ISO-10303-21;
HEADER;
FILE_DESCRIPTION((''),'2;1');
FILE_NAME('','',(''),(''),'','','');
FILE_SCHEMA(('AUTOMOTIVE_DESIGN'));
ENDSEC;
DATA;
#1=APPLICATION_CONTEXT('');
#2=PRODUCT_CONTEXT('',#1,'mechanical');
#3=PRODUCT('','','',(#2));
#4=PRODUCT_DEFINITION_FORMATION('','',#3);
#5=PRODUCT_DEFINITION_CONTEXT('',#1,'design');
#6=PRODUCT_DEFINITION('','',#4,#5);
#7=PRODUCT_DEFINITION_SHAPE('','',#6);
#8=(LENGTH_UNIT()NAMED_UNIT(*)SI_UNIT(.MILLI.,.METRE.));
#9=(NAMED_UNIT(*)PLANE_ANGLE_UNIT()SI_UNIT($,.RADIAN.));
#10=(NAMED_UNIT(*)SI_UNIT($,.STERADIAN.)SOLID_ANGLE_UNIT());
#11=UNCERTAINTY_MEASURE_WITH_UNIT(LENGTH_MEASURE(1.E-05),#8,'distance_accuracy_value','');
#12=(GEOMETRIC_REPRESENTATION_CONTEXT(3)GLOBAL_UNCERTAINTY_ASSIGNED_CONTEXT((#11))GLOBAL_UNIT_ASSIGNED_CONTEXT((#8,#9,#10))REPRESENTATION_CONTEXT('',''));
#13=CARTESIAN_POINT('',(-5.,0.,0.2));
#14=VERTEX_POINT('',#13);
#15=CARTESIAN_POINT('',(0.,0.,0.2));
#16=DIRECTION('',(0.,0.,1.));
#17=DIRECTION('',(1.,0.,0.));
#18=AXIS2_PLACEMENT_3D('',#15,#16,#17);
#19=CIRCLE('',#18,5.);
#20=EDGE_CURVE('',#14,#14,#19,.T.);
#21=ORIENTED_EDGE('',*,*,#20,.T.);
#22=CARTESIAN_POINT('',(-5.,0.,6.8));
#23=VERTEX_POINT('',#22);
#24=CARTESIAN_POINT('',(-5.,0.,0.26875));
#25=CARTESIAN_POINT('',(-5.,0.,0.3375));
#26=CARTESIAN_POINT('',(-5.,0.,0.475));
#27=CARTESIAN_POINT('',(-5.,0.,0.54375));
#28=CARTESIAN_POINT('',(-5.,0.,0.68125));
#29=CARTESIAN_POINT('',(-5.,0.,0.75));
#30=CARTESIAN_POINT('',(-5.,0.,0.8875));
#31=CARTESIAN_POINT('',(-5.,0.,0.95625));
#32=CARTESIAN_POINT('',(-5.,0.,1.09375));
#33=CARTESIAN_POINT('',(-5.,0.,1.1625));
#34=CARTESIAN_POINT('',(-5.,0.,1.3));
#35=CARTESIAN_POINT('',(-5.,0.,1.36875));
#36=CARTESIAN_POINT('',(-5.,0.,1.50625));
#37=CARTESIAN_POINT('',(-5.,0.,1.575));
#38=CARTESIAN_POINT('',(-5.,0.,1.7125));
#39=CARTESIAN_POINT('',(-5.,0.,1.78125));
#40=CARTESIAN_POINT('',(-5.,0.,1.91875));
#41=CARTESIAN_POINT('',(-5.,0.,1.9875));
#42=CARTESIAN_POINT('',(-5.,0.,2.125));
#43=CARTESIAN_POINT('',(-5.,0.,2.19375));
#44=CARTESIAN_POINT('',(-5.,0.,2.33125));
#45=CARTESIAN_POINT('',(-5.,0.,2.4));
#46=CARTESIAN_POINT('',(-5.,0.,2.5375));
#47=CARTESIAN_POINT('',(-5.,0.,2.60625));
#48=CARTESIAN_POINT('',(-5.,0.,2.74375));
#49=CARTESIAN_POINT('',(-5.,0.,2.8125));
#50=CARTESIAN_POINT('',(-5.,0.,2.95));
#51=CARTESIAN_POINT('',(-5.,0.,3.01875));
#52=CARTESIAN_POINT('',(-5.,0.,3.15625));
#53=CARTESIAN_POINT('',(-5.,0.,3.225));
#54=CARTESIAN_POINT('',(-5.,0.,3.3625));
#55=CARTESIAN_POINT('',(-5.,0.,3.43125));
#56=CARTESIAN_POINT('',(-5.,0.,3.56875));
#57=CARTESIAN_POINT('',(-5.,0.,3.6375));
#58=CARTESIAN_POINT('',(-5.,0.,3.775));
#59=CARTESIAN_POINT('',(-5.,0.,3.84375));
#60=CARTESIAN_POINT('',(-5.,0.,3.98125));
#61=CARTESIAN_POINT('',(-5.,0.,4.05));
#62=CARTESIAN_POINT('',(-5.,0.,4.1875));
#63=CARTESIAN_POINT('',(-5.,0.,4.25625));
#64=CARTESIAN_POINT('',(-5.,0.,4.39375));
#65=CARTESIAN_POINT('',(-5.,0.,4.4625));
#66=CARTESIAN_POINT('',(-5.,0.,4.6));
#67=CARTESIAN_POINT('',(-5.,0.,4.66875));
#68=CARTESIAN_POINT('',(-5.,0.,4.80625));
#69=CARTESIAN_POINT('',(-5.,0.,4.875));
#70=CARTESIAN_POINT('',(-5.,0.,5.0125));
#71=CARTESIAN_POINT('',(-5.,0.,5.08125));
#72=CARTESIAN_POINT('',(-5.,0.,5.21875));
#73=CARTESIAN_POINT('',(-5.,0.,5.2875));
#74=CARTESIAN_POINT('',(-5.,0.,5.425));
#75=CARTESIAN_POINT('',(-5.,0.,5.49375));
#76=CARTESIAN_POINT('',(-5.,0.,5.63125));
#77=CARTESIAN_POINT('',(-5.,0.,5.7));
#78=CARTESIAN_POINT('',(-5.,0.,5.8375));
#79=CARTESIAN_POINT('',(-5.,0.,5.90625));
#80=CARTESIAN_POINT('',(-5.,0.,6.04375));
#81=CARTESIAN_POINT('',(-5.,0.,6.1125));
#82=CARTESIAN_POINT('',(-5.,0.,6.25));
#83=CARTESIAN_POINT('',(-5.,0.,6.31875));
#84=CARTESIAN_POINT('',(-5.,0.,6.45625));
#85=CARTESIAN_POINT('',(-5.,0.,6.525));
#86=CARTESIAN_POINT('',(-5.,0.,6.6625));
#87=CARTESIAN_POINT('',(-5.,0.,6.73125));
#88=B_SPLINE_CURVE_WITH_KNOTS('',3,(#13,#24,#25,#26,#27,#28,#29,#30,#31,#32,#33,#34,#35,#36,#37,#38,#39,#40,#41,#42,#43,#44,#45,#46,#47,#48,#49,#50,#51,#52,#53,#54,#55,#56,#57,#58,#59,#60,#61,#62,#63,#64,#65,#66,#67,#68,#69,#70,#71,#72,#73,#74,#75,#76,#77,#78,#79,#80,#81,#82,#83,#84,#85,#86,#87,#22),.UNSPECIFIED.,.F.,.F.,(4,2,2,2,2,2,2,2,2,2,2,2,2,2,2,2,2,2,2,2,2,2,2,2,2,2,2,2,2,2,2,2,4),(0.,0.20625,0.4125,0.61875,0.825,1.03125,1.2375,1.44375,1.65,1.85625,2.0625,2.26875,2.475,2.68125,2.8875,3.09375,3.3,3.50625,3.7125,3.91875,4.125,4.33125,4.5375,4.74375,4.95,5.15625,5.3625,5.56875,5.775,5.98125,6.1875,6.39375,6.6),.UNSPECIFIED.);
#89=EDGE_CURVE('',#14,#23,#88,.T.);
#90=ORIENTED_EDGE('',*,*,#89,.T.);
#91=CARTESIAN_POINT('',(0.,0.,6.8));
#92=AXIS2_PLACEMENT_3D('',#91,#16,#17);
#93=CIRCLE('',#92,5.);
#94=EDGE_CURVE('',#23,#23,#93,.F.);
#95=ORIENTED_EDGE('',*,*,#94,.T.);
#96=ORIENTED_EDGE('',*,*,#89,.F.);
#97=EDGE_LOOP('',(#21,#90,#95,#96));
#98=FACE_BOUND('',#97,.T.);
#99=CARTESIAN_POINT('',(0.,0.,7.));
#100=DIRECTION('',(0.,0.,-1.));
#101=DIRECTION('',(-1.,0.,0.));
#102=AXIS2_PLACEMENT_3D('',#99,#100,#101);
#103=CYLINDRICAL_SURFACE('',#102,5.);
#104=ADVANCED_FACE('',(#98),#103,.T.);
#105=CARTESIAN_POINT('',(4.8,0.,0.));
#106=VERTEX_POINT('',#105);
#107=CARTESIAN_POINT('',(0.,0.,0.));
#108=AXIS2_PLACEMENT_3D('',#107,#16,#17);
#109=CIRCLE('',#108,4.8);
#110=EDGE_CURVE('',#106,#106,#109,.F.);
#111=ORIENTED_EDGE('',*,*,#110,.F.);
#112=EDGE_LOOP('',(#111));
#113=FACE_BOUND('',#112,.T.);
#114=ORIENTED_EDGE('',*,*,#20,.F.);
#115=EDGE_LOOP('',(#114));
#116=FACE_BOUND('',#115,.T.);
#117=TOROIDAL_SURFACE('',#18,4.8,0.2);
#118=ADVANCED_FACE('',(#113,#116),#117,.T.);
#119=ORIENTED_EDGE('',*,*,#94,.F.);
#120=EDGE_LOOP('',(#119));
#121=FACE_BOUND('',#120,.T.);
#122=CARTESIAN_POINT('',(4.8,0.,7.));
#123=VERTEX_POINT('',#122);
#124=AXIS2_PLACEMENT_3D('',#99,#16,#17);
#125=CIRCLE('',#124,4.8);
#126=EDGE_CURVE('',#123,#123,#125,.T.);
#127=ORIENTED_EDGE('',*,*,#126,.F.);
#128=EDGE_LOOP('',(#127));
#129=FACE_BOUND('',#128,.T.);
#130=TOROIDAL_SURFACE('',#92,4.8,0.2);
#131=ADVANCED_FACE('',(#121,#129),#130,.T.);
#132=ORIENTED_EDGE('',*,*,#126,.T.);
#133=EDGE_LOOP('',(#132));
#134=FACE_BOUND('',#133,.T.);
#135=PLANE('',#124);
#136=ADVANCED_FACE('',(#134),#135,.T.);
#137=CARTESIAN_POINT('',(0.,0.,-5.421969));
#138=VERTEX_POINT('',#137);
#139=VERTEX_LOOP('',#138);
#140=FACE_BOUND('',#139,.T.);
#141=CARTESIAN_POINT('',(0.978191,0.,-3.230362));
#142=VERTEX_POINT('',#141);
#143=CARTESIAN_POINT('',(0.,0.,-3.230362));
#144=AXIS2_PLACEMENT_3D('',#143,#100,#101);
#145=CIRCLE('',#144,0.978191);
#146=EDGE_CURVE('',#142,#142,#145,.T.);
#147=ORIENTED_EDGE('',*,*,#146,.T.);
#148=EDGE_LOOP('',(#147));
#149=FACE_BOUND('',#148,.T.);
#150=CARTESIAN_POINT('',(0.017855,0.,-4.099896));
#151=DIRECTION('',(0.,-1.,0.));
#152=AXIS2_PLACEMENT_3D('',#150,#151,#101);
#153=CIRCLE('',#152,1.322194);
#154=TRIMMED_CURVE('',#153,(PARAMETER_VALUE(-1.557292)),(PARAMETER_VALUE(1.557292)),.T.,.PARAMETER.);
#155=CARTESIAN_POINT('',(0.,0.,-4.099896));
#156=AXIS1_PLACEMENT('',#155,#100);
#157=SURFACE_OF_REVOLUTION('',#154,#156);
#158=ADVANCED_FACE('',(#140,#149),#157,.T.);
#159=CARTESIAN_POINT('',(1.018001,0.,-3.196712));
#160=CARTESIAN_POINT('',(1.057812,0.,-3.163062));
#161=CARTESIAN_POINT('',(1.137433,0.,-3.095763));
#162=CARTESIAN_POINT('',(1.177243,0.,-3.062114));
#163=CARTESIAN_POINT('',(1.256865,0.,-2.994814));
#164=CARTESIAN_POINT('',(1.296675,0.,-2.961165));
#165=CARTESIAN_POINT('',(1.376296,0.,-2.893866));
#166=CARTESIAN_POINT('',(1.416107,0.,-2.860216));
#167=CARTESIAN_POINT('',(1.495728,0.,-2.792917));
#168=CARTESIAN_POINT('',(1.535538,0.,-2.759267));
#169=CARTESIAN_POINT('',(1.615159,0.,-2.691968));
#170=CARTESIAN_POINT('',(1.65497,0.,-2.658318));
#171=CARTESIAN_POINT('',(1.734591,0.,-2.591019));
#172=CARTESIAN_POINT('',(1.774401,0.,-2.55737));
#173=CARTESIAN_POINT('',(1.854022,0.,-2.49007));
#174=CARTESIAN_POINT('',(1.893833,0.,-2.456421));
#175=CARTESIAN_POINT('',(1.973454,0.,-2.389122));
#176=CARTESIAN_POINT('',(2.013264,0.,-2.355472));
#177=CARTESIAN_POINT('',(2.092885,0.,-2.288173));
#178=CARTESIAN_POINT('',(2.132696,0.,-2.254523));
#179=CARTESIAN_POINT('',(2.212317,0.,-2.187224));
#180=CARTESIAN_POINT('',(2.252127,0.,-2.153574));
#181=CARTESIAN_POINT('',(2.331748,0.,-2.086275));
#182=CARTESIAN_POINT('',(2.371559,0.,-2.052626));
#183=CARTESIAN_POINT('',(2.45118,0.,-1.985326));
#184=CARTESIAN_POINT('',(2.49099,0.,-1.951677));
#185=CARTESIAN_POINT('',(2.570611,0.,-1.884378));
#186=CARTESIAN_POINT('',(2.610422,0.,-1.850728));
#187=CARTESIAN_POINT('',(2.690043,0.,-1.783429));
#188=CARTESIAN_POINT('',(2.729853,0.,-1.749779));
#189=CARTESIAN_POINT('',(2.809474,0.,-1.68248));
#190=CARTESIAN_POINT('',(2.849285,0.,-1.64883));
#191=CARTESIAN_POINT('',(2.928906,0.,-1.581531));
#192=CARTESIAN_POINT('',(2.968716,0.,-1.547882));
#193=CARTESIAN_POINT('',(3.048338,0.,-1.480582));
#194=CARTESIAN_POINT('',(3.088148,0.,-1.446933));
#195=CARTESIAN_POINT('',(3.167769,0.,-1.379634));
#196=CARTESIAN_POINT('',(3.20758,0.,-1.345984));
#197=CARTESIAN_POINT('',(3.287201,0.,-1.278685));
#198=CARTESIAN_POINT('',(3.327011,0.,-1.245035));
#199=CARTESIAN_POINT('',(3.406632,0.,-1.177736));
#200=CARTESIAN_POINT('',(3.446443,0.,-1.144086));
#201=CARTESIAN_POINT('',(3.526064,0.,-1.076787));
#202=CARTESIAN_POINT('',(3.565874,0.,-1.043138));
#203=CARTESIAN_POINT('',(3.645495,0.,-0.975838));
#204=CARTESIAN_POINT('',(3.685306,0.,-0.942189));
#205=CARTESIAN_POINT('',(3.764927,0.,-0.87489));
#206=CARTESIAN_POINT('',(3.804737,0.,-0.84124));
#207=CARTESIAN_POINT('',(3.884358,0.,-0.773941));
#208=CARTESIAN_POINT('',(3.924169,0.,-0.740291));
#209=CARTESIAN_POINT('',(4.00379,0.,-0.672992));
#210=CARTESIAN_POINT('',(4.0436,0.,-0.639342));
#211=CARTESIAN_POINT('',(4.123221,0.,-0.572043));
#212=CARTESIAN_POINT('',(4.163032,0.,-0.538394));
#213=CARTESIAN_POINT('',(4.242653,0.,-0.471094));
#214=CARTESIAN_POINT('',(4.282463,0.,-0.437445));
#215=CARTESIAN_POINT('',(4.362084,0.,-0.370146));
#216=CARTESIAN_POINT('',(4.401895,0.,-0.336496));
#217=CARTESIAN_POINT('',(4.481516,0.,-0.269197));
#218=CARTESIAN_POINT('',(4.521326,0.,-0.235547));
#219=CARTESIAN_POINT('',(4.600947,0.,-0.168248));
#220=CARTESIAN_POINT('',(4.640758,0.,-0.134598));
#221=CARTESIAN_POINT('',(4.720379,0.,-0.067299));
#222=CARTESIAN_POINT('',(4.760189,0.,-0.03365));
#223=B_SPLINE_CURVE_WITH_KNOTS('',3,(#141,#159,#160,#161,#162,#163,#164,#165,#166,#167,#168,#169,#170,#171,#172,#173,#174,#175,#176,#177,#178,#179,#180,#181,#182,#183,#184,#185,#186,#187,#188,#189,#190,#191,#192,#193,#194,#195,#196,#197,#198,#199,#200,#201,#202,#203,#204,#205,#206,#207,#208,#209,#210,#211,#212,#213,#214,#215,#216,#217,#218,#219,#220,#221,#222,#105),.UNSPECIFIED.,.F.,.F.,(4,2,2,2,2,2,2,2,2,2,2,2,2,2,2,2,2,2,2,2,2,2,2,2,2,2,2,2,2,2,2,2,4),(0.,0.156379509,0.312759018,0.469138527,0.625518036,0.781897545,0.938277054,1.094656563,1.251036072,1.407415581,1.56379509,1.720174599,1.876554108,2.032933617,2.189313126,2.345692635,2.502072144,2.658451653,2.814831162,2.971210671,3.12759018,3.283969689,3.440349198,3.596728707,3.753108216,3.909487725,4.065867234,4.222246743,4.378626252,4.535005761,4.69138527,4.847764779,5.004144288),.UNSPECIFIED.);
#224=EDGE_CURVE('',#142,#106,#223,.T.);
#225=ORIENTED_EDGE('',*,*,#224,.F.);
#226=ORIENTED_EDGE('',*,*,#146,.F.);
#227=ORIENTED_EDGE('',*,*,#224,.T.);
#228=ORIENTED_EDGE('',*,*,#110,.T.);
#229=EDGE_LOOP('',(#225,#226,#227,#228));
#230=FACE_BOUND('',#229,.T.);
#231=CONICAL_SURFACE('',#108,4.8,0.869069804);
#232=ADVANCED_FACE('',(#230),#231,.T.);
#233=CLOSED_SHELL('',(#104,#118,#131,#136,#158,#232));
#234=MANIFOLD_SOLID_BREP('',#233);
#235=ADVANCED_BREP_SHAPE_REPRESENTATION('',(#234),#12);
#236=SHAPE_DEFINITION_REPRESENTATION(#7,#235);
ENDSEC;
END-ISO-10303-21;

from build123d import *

# Parameters (mm, degrees)
SKETCH1_R           = 5
BOSS_EXTRUDE1_DEPTH = 7
FILLET2_R           = 0.2
FILLET3_R           = 0.2


with BuildPart() as part:
    # Sketch1 → Boss-Extrude1 (new body)
    with BuildSketch(Plane.XY):
        with Locations(Location((0, 0, 0), (0, 0, 180))):
            Circle(SKETCH1_R)
    extrude(amount=BOSS_EXTRUDE1_DEPTH)

    # Fillet2
    fillet2_edges = [part.edges().sort_by_distance(p)[0] for p in [
        (5, 0, 7),
    ]]
    fillet(fillet2_edges, radius=FILLET2_R)

    # Fillet3
    fillet3_edges = [part.edges().sort_by_distance(p)[0] for p in [
        (5, 0, 0),
    ]]
    fillet(fillet3_edges, radius=FILLET3_R)

    # Sketch4 → Revolve1 (revolve)
    with BuildSketch(Plane(origin=(0, 0, 0), x_dir=(1, 0, 0), z_dir=(0, 1, 0))):
        with BuildLine():
            Line((4.8, 0), (0.97819093, 3.230361511))
            ThreePointArc((0.97819093, 3.230361511), (1.18953252, 4.638794693), (0, 5.421968799))
            Line((0, 5.421968799), (0, 0))
            Line((0, 0), (4.8, 0))
        make_face()
    revolve(axis=Axis((0, 0, -5.421968799), (0, 0, 1)))


solid = part.part
